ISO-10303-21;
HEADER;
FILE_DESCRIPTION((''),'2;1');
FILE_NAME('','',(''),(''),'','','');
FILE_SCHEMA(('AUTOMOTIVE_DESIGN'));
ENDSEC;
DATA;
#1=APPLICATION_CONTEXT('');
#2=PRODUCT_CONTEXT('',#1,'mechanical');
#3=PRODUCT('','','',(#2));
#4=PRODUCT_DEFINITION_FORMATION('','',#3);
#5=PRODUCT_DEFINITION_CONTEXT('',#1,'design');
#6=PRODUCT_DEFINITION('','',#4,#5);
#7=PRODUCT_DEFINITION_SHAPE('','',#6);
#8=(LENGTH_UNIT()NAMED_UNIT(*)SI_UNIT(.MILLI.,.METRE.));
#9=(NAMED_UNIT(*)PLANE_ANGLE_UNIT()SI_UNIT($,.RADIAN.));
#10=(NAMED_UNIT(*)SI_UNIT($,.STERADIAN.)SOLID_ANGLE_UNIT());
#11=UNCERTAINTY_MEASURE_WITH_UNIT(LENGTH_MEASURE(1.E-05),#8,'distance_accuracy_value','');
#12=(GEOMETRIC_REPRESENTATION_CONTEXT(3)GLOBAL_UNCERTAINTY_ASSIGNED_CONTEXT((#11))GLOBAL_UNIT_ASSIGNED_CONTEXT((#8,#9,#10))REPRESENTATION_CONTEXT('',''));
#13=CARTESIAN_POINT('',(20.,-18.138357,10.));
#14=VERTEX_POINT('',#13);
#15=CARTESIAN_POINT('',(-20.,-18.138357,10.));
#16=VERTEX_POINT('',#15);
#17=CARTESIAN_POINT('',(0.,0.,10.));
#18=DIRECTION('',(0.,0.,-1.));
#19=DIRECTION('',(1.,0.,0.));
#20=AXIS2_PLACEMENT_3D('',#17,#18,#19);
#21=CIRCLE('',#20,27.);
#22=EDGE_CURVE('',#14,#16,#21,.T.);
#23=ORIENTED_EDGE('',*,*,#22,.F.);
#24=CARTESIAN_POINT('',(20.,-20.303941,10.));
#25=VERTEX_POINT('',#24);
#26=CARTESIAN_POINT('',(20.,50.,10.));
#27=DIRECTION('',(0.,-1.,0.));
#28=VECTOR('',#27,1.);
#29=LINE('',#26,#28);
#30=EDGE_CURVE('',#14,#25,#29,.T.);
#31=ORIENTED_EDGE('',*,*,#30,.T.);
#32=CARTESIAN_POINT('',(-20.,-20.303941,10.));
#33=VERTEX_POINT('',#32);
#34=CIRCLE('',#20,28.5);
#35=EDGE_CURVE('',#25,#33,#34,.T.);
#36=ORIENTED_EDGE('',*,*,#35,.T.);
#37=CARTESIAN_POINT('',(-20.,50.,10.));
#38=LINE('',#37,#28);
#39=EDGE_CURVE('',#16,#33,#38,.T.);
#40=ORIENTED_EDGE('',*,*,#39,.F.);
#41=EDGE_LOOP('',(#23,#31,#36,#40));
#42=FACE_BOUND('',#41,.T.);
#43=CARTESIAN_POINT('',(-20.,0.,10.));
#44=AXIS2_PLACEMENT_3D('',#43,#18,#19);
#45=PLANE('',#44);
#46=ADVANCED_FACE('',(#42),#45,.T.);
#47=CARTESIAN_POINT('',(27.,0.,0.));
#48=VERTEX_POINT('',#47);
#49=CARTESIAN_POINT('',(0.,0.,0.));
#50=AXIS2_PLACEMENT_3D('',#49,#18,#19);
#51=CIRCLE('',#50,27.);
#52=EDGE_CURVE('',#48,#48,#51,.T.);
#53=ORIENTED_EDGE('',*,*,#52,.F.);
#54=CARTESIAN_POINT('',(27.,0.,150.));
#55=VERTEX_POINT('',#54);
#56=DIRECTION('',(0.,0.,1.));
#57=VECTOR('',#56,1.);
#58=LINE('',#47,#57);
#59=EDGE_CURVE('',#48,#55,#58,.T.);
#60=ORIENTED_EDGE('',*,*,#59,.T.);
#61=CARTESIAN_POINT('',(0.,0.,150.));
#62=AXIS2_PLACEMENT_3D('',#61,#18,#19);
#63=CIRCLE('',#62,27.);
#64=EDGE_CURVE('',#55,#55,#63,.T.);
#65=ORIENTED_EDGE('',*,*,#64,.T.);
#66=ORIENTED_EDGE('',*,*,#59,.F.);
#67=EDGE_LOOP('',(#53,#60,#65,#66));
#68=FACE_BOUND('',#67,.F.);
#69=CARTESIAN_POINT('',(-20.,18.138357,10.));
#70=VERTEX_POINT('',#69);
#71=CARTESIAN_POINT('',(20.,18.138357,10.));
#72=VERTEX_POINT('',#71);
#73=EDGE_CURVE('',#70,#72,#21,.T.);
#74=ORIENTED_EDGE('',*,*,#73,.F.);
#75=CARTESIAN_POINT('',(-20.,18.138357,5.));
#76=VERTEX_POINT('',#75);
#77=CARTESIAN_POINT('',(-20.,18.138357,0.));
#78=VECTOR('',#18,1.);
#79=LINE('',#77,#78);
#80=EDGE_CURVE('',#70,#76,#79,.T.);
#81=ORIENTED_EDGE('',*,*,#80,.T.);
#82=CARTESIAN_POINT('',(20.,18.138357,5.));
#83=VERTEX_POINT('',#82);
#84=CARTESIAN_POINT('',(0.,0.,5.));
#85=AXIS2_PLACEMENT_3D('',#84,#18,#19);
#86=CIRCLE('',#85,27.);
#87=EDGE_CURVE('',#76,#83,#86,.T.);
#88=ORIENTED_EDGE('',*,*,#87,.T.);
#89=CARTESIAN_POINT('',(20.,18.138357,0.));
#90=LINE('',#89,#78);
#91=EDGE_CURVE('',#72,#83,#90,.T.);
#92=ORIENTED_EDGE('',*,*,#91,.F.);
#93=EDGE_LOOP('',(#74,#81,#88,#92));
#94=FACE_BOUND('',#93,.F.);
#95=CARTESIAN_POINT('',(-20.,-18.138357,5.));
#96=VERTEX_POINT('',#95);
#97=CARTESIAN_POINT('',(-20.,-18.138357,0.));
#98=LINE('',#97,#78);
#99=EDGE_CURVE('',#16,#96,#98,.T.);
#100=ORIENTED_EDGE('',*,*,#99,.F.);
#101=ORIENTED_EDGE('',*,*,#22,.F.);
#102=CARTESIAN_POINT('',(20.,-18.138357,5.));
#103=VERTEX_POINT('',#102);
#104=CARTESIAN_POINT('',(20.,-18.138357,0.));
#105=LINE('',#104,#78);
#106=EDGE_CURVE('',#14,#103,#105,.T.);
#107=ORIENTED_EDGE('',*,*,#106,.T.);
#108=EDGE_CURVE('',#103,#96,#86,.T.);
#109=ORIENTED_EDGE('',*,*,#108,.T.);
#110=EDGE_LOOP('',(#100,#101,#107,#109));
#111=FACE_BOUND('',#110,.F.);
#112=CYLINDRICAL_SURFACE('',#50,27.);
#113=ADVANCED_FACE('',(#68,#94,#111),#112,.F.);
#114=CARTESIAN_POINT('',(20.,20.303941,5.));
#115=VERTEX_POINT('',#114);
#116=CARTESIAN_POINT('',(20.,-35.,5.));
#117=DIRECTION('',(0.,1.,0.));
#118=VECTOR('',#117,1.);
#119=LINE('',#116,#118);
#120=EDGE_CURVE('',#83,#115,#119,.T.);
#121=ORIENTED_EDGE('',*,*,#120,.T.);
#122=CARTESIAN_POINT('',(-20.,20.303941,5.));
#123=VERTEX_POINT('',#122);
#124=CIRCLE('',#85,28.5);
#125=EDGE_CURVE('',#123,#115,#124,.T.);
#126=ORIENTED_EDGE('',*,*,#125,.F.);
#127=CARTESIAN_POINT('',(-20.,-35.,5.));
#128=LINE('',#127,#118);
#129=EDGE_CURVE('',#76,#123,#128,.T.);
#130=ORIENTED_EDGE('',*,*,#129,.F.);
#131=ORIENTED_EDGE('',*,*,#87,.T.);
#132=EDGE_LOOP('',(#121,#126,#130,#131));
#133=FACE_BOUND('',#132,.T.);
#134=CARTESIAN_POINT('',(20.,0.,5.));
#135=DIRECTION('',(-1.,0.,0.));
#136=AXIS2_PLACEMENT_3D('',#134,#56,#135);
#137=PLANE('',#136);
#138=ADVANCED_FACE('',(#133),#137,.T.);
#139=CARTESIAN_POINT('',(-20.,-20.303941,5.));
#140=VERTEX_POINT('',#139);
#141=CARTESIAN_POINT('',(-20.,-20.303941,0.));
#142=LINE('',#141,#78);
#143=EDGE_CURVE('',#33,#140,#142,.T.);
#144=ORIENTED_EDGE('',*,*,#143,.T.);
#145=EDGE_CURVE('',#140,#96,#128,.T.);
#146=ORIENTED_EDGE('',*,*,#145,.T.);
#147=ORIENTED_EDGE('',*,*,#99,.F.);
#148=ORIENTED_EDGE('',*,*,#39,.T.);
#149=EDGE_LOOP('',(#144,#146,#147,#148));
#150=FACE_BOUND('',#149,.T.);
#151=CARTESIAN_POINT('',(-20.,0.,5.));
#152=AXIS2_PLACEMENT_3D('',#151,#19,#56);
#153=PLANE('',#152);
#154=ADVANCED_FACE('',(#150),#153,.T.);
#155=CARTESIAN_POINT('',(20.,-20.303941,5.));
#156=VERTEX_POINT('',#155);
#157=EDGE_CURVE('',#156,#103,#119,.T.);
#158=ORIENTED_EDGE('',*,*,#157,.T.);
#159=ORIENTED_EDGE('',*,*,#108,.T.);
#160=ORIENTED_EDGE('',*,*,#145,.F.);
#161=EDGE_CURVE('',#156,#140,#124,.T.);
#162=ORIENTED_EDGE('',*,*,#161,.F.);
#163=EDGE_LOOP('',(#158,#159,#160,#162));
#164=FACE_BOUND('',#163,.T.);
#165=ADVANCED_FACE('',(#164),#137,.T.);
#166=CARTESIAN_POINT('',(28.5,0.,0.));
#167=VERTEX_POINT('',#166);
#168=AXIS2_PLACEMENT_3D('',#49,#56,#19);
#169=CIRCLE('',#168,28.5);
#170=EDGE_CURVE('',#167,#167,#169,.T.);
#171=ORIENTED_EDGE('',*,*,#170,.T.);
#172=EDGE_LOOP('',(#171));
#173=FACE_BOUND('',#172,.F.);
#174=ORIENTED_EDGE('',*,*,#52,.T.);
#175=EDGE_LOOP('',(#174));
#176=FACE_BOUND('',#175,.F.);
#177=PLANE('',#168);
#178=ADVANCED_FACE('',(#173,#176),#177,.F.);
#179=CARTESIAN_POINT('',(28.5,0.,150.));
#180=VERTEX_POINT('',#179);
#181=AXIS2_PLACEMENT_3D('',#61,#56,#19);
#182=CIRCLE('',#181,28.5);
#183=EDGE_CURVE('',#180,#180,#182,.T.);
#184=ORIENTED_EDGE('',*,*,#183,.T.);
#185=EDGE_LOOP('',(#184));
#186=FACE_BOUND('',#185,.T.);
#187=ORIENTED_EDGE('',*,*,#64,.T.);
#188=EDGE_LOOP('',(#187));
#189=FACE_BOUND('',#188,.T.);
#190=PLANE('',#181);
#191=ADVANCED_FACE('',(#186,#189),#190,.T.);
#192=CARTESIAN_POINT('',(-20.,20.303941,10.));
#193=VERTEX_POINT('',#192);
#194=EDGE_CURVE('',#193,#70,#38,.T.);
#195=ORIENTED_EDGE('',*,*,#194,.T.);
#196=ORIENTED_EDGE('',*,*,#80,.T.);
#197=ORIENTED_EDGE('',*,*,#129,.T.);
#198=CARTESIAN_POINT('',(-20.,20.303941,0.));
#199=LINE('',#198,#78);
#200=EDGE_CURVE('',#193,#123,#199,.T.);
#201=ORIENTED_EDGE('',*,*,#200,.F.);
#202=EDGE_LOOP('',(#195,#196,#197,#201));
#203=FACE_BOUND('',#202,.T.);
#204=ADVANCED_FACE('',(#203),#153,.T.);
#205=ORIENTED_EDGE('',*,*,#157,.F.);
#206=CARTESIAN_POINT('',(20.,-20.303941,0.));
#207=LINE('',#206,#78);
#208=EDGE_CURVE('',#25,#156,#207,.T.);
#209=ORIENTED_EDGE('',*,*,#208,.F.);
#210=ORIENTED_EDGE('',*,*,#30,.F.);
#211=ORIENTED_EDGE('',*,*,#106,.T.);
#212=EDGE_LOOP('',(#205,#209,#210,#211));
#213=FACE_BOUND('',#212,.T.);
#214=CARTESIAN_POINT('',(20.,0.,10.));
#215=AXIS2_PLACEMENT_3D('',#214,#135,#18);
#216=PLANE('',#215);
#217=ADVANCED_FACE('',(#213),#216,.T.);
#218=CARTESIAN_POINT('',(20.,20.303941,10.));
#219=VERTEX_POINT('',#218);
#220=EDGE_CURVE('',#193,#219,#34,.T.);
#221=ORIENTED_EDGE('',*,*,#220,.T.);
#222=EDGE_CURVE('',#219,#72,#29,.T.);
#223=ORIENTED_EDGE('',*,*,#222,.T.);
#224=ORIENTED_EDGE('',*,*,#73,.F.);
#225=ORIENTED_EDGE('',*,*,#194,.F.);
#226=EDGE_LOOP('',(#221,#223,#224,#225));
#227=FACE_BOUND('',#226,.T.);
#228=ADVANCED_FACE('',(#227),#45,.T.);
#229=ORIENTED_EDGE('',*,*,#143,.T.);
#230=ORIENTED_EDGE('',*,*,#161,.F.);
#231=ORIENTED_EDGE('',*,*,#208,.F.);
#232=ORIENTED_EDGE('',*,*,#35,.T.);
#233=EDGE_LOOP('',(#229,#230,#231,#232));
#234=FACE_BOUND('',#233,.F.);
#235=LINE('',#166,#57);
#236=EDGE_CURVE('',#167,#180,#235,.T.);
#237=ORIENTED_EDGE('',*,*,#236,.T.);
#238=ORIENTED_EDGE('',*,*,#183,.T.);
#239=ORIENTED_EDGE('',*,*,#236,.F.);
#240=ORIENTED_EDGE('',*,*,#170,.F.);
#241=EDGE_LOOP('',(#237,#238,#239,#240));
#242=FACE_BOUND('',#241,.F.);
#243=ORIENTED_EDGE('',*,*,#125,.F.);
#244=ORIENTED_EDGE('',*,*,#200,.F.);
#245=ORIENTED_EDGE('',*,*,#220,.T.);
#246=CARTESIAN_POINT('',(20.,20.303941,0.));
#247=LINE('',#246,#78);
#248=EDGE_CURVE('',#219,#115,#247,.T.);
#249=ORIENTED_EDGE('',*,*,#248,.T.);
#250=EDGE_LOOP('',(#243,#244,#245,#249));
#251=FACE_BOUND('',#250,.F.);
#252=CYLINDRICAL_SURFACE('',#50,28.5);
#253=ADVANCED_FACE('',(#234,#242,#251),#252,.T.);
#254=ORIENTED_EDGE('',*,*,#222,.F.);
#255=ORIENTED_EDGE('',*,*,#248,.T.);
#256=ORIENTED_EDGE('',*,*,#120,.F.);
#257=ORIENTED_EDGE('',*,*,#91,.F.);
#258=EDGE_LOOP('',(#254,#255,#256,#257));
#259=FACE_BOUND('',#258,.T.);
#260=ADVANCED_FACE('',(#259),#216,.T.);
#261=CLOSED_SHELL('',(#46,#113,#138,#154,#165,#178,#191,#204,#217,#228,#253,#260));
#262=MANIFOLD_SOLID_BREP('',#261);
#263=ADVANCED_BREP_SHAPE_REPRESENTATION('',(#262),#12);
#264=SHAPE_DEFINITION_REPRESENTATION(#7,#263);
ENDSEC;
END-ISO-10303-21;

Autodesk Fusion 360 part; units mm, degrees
sketch "Sketch1" plane through (0, 0, 0) normal (0, 0, 1) x (1, 0, 0)
  circle A0 centre (0, 0) radius 28.5
  dimension "d1" = 57
extrude "Extrude1" add sketch "Sketch1" along normal blind 150
sketch "Sketch2" plane through (0, 0, 0) normal (0, 0, -1) x (1, 0, 0)
  circle A0 centre (0, 0) radius 28.5
  circle A1 centre (0, 0) radius 27
  dimension "d4" = 54
extrude "Extrude2" cut sketch "Sketch2" against normal blind 530 contours A1
sketch "Sketch3" plane through (0, 0, 0) normal (0, 1, 0) x (1, 0, 0)
  line L0 (0, 0) -> (20, 0)
  line L1 (20, 0) -> (20, -5)
  line L2 (20, -5) -> (-20, -5)
  line L3 (-20, -5) -> (-20, -10)
  line L4 (-20, -10) -> (20, -10)
  line L5 (20, -10) -> (20, -5)
  dimension "d7" = 20
  dimension "d8" = 40
  dimension "d9" = 5
  dimension "d10" = 5
extrude "Extrude3" cut sketch "Sketch3" along normal blind 50 and the other way blind 35
